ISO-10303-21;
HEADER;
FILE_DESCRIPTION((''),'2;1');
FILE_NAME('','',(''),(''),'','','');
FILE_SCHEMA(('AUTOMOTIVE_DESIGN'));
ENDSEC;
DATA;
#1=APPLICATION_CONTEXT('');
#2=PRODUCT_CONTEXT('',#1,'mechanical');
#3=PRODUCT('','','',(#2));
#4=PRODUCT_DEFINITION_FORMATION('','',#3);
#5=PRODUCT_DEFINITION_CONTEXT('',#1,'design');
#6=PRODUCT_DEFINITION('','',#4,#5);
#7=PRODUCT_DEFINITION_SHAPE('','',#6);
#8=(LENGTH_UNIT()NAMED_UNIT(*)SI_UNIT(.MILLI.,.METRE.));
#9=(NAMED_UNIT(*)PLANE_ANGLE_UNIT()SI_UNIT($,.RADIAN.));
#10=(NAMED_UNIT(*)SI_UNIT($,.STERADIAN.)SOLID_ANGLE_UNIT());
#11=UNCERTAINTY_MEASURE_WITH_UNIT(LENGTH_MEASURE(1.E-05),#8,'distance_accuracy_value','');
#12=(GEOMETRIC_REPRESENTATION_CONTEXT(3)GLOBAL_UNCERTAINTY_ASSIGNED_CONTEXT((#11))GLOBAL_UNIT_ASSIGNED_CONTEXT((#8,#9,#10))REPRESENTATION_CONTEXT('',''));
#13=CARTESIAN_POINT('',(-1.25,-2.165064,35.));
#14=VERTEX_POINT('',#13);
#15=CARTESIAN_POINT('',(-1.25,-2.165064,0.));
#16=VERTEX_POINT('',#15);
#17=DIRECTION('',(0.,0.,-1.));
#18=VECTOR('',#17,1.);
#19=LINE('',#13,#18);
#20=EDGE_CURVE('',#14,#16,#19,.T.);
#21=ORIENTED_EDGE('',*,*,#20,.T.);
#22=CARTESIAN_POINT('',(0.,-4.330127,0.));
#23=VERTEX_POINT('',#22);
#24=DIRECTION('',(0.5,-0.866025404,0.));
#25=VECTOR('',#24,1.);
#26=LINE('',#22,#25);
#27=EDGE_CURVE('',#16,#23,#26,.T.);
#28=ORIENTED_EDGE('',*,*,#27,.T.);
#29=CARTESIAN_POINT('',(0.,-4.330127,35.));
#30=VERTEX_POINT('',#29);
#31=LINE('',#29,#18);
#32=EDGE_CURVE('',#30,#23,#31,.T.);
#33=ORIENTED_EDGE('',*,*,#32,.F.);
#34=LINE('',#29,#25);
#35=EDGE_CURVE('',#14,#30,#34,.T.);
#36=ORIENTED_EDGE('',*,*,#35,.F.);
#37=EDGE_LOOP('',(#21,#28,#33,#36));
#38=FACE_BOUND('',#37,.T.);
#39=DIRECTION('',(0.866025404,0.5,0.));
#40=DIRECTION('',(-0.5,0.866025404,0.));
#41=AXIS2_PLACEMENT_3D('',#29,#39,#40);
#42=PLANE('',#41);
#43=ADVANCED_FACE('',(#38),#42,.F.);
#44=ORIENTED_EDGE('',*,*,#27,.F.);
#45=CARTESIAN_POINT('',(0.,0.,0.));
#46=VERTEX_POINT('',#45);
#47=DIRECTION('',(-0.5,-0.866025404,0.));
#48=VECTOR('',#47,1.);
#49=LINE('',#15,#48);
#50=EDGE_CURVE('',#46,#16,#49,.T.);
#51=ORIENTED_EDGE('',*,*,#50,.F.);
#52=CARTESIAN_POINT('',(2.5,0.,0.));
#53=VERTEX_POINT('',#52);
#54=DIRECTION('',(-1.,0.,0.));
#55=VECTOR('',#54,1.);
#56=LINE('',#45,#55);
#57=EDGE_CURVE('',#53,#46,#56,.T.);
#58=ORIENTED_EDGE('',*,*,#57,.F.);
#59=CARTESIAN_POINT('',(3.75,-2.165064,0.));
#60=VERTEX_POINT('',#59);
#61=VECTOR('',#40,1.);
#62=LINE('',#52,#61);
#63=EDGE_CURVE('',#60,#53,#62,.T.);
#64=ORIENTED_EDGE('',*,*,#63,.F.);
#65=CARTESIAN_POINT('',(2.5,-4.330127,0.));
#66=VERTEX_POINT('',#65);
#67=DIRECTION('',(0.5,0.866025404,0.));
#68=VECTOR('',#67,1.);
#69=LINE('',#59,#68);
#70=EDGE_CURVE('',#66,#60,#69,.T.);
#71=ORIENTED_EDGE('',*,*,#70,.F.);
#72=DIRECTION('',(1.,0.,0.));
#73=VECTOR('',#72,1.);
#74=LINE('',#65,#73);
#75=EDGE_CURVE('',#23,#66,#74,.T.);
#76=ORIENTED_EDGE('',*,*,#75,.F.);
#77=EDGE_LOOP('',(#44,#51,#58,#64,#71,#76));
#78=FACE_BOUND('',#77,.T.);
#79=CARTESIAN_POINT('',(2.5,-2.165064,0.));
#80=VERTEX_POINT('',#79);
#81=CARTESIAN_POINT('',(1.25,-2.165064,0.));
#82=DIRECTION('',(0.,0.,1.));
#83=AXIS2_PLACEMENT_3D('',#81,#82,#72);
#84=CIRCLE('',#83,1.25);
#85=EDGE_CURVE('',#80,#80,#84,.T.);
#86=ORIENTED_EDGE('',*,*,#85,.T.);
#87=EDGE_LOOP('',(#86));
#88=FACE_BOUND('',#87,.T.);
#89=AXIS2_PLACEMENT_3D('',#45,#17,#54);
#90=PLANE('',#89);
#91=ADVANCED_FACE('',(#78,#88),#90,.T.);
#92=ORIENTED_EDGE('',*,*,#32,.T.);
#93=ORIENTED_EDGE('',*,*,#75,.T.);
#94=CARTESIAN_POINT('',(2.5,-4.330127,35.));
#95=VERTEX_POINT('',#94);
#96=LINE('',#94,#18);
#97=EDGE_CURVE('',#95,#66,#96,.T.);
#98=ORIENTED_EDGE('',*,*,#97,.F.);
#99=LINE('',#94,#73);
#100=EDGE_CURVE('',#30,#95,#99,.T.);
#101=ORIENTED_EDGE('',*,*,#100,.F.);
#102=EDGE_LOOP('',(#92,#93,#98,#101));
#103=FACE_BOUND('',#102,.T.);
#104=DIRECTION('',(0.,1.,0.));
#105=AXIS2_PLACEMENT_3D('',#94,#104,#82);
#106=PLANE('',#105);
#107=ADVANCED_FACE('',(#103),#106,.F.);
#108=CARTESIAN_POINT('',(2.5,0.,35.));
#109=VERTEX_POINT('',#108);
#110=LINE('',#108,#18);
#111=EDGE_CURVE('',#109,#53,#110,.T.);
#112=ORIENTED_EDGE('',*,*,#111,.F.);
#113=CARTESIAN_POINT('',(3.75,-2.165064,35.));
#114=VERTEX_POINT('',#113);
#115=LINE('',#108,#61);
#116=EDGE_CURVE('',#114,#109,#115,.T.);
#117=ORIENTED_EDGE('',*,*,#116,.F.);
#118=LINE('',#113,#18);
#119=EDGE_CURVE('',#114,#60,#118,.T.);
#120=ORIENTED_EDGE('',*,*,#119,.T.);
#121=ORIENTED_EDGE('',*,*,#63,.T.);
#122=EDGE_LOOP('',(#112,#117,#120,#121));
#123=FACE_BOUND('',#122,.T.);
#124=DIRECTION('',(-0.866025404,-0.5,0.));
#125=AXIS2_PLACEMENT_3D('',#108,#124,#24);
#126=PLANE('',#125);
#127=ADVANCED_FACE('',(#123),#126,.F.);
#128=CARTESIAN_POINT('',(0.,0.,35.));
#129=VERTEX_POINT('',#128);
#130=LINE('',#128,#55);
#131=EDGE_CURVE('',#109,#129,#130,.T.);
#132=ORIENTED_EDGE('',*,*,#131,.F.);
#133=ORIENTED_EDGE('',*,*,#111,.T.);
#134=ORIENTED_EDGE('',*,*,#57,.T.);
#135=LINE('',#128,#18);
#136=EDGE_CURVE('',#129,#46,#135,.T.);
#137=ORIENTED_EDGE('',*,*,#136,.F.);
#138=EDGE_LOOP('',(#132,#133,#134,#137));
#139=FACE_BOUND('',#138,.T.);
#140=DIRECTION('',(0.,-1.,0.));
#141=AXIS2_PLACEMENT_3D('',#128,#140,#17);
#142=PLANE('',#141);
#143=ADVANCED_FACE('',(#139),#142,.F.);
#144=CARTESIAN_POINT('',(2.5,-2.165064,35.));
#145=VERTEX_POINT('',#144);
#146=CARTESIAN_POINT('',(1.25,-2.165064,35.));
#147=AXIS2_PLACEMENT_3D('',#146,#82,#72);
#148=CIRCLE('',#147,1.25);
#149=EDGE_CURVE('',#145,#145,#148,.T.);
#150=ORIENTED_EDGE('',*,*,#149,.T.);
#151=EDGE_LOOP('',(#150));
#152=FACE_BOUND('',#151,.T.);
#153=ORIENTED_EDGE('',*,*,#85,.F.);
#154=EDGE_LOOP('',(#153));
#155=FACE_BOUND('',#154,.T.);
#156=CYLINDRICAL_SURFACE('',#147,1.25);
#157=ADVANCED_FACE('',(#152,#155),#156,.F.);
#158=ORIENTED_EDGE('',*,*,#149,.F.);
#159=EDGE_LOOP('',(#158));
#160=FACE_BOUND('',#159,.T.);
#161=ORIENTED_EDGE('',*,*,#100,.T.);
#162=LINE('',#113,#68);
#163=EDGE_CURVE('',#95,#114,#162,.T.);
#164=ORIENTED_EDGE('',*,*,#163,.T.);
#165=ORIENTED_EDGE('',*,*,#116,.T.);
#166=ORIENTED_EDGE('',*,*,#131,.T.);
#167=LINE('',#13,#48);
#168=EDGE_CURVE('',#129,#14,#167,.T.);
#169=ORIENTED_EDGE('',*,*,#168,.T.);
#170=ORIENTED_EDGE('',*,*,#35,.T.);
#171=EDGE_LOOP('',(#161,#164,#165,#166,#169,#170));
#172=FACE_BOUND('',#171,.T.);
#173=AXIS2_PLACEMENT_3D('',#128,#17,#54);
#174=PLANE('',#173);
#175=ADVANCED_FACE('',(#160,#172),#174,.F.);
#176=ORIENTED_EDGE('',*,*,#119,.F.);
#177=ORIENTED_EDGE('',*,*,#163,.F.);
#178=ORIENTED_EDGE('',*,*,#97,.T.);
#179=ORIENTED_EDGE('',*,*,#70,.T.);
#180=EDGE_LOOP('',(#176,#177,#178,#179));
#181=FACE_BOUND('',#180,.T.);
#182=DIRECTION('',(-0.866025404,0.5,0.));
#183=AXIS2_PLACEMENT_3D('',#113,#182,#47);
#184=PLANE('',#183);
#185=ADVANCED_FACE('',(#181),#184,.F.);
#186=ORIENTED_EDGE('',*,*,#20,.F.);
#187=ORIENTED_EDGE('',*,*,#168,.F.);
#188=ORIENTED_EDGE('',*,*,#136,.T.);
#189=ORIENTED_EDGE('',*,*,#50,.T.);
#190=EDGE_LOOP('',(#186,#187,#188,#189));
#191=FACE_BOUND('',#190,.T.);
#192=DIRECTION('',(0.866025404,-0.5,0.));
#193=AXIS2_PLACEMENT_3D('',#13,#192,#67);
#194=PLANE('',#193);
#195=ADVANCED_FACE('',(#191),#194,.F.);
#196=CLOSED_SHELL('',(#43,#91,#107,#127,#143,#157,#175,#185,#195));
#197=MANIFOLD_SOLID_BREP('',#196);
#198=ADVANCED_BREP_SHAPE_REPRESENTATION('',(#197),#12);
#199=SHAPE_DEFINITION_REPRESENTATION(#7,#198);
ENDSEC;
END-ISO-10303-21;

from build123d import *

# Parameters (mm, degrees)
EXTRUDE_1_DEPTH    = 35
HOLE_WIZARD_M3_1_D = 2.5


with BuildPart() as part:
    # 草图1 → 凸台-拉伸1 (new body)
    with BuildSketch(Plane.XY):
        Polygon((0, 0), (2.5, 0), (3.75, -2.165063509), (2.5, -4.330127019), (0, -4.330127019), (-1.25, -2.165063509), align=None)
    extrude(amount=EXTRUDE_1_DEPTH)

    # M3 螺纹孔1 (through all)
    with Locations(Plane.XY.offset(35)):
        with Locations((1.25, -2.165063509)):
            Hole(HOLE_WIZARD_M3_1_D / 2)


solid = part.part
